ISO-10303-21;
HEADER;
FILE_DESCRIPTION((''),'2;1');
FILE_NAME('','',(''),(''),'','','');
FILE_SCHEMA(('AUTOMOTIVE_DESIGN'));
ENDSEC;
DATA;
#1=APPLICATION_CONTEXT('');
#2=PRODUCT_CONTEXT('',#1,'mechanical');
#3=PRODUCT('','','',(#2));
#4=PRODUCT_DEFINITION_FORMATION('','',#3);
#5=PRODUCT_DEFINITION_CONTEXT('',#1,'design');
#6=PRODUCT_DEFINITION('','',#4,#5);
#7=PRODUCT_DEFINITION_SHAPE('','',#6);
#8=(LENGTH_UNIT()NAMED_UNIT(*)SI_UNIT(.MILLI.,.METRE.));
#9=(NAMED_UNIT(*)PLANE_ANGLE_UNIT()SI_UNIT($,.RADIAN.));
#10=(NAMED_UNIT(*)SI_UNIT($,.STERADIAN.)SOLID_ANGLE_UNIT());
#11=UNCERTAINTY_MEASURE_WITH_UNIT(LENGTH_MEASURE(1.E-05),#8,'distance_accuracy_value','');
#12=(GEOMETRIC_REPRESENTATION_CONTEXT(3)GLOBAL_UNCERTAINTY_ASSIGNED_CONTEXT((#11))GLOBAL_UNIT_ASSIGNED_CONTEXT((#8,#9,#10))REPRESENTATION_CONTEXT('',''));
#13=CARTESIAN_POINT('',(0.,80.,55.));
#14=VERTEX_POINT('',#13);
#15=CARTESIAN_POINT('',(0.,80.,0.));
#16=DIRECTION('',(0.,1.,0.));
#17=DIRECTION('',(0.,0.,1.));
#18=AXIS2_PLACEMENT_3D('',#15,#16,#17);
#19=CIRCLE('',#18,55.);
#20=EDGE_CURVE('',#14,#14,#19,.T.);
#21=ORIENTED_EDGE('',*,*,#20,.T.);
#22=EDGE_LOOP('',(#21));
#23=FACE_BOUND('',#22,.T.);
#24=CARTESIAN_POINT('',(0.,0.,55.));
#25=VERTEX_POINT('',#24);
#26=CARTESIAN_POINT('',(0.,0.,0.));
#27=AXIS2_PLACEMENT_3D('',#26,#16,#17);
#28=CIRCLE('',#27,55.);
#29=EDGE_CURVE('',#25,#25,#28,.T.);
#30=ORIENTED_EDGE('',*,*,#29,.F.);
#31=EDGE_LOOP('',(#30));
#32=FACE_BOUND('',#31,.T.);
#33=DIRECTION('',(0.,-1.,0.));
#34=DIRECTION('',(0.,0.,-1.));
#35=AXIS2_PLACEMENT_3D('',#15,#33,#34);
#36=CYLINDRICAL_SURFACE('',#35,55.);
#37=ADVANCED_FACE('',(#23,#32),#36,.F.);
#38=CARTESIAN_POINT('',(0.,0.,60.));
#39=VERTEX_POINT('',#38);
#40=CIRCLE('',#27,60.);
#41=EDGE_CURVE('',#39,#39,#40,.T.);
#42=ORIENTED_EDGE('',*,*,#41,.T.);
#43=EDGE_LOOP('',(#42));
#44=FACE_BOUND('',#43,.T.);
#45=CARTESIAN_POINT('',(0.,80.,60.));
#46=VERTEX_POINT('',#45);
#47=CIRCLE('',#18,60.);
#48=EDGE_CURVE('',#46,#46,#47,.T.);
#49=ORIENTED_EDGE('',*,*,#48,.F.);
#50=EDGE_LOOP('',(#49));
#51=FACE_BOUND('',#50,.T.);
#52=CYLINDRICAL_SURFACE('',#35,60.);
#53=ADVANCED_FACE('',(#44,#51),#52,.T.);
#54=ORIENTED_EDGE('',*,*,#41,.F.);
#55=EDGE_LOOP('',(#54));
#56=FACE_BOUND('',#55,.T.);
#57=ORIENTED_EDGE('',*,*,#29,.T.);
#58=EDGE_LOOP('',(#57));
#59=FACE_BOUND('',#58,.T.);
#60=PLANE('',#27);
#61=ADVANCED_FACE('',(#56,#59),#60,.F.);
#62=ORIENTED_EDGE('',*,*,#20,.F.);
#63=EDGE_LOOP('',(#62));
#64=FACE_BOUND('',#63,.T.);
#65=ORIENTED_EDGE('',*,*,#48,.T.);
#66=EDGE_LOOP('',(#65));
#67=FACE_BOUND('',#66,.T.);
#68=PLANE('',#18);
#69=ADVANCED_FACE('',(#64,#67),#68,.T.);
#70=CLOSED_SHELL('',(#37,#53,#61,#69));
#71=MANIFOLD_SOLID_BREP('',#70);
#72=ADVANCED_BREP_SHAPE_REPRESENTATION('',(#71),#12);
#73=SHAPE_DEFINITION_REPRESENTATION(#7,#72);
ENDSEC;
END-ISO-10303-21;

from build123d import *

# Parameters (mm, degrees)
SKETCH_1_R      = 60
SKETCH_1_R_2    = 55
EXTRUDE_1_DEPTH = 80


with BuildPart() as part:
    # 草圖1 → 填料-伸長1 (new body)
    with BuildSketch(Plane(origin=(0, 0, 0), x_dir=(1, 0, 0), z_dir=(0, 1, 0))):
        Circle(SKETCH_1_R)
        Circle(SKETCH_1_R_2, mode=Mode.SUBTRACT)
    extrude(amount=EXTRUDE_1_DEPTH)


solid = part.part
